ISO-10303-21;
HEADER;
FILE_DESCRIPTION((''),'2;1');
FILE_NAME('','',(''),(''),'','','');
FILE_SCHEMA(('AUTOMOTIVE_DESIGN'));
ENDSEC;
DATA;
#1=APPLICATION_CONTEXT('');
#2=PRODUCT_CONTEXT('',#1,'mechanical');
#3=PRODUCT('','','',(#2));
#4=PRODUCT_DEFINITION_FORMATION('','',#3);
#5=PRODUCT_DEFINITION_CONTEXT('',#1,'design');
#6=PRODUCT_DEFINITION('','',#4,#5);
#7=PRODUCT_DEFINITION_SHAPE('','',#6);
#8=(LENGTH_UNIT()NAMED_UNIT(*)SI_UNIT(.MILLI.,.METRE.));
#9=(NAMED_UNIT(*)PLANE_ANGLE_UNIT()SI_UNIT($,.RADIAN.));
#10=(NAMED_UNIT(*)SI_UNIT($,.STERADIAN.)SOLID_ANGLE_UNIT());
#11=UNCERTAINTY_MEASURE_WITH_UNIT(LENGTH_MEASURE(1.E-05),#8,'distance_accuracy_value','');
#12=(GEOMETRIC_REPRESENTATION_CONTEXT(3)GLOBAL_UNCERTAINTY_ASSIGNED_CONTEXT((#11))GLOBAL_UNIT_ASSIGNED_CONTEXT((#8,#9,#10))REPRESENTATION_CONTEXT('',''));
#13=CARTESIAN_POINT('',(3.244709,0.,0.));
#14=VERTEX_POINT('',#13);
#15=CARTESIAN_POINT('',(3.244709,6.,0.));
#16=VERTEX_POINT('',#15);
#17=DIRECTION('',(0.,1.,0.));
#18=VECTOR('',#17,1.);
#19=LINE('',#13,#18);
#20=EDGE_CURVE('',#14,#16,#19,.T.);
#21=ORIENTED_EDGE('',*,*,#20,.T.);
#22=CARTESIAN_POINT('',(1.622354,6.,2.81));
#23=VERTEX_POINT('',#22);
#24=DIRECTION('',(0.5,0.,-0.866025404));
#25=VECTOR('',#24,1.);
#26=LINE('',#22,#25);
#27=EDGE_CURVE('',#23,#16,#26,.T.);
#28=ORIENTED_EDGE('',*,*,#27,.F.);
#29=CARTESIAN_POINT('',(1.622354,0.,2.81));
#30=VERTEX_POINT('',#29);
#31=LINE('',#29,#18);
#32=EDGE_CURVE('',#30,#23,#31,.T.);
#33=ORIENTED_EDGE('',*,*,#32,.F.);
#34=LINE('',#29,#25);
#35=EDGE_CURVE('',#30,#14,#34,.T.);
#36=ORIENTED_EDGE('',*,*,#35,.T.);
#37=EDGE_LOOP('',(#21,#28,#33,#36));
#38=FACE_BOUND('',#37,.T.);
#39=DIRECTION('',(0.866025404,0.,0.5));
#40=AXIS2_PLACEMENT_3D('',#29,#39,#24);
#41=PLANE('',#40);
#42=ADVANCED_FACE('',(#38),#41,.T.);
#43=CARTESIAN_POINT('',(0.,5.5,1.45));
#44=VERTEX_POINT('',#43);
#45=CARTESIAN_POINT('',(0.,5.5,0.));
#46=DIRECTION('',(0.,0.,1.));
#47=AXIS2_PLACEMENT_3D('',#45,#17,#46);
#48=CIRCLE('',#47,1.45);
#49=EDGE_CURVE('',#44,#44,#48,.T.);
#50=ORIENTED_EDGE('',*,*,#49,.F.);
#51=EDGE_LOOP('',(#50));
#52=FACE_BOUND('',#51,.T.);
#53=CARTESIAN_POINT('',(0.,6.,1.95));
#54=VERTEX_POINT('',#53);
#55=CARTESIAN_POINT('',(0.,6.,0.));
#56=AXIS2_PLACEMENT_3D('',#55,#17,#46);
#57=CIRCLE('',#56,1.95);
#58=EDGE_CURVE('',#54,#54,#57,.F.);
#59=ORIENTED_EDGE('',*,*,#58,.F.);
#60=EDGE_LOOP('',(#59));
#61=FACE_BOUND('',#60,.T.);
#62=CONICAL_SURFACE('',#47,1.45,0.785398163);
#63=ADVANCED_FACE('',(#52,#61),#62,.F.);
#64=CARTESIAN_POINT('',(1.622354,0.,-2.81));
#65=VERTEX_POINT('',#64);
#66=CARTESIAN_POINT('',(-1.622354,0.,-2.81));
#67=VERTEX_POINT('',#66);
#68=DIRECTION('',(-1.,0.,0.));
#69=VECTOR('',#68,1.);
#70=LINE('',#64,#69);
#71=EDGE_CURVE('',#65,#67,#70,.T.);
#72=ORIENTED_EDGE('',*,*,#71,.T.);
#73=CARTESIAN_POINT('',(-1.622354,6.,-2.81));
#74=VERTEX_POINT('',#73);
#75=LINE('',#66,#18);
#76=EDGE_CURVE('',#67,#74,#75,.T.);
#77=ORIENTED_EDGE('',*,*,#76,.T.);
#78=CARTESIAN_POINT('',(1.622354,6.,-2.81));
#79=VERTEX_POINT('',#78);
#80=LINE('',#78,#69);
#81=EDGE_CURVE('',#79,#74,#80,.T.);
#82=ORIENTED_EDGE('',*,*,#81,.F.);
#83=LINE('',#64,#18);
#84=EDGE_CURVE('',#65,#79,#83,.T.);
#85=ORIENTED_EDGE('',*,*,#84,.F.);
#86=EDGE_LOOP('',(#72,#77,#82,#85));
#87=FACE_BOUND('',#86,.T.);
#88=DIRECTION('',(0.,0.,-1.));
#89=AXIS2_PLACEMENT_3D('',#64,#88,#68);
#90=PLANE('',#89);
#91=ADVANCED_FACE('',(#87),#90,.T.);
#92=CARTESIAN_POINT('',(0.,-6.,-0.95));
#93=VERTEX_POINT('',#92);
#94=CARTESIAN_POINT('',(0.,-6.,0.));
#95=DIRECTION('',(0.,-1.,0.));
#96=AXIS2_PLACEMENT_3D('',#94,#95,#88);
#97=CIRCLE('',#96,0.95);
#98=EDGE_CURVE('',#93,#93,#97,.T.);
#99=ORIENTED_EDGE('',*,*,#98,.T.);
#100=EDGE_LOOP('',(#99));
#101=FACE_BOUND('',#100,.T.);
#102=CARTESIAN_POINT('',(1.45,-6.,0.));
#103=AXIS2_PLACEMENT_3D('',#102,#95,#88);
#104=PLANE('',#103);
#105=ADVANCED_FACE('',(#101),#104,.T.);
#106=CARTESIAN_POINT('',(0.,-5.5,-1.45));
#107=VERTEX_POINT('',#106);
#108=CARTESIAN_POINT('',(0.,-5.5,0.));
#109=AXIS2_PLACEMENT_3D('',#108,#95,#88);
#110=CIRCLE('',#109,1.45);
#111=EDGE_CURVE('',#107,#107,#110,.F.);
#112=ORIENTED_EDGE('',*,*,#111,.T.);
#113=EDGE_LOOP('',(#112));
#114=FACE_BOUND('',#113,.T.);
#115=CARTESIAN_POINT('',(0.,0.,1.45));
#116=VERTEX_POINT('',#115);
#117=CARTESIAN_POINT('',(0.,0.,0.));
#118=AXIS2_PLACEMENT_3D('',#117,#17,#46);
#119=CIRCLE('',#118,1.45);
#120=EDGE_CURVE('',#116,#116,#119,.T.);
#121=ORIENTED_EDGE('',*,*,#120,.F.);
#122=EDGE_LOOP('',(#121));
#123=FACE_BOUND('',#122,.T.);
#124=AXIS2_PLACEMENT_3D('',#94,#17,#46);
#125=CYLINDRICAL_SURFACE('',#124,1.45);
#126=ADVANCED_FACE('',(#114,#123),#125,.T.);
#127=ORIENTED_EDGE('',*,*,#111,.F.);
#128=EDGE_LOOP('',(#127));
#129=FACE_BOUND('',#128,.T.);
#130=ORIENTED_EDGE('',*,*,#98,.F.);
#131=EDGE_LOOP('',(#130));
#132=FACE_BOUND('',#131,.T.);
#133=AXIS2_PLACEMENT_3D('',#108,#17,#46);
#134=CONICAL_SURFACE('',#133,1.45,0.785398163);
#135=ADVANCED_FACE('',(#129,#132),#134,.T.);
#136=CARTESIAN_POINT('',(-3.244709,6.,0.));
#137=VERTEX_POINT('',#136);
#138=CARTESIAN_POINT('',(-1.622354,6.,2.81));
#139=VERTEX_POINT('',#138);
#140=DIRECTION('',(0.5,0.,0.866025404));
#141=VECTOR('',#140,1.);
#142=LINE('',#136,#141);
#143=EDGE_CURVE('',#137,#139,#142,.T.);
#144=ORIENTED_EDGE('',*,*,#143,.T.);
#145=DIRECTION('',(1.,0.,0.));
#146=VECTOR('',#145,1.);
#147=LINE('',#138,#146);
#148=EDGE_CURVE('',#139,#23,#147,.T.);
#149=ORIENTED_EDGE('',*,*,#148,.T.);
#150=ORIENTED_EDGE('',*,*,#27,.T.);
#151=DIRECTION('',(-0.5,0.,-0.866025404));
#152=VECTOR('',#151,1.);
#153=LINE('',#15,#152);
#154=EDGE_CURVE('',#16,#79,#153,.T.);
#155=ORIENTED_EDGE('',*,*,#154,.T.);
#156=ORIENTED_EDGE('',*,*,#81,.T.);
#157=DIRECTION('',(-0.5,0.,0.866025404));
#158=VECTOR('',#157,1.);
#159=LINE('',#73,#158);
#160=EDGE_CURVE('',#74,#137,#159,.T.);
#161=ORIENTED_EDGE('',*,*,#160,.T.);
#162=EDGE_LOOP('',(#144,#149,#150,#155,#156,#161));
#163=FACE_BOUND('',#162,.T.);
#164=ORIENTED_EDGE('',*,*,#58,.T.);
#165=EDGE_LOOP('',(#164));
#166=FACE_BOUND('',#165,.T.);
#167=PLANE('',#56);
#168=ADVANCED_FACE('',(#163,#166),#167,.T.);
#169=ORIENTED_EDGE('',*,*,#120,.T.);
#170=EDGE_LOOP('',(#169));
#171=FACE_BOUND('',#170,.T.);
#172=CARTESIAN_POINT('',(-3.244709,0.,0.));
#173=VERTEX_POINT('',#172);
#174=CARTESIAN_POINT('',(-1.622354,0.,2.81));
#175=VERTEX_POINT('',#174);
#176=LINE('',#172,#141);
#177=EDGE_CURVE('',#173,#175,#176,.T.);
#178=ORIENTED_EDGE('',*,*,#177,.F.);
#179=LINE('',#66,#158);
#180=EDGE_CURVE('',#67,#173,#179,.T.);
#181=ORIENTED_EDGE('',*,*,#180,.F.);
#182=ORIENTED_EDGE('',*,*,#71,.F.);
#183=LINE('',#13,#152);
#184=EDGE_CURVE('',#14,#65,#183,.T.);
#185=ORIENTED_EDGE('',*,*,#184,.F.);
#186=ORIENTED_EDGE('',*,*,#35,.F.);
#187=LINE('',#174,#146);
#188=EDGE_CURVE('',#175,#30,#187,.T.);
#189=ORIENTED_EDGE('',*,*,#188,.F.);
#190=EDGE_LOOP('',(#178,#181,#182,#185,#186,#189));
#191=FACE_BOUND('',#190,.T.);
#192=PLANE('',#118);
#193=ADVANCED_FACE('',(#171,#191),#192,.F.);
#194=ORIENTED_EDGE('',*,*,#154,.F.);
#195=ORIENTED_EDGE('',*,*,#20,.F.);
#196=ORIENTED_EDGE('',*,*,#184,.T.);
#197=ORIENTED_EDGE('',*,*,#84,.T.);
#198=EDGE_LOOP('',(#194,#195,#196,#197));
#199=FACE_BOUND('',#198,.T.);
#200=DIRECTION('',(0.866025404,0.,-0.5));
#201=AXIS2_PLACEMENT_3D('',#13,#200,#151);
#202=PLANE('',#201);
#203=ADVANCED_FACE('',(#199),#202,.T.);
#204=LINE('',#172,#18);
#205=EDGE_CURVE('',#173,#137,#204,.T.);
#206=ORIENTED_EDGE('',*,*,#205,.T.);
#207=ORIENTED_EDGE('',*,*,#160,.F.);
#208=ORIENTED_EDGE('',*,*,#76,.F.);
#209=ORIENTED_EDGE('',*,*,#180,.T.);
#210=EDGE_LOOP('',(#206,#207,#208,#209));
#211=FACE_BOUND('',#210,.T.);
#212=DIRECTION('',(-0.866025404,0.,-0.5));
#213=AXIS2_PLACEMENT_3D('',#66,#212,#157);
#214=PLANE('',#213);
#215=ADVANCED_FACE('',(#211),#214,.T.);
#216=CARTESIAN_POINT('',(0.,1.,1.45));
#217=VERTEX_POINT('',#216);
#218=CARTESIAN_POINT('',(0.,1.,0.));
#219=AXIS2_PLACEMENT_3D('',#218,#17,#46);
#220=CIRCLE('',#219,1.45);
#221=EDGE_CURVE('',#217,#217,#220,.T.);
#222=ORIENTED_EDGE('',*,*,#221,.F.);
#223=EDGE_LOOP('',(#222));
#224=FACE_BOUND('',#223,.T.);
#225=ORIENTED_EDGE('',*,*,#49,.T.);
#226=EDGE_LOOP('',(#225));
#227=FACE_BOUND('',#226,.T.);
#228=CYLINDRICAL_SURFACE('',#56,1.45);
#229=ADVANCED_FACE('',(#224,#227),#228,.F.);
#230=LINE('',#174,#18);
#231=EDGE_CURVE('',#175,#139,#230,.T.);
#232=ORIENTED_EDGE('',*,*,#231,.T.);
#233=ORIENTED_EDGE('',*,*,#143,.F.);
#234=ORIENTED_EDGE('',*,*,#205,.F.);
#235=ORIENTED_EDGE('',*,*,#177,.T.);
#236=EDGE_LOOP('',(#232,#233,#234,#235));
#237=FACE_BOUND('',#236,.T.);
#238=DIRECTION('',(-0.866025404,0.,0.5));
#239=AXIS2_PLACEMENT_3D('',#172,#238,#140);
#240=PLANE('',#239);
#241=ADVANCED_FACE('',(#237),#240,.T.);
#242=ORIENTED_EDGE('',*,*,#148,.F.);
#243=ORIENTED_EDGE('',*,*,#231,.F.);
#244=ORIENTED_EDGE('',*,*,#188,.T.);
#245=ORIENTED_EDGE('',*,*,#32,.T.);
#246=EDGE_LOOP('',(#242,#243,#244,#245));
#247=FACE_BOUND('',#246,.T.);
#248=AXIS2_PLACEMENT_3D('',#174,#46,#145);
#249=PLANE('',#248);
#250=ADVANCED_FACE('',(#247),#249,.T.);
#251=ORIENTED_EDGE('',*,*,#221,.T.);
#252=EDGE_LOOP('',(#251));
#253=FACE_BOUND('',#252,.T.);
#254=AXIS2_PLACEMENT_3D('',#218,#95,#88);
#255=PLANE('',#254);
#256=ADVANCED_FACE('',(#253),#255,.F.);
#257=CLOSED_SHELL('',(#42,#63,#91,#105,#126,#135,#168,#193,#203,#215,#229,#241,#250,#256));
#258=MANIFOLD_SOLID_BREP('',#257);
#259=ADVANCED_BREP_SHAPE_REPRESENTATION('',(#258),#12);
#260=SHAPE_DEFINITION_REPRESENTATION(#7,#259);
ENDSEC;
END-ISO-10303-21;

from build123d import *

# Parameters (mm, degrees)
BOSS_EXTRUDE1_DEPTH            = 6
SKETCH2_W                      = 1.45
SKETCH2_H                      = 6
F_2_9_2_9_DIAMETER_HOLE1_D     = 2.9
F_2_9_2_9_DIAMETER_HOLE1_DEPTH = 5
CHAMFER1_SIZE                  = 0.5


with BuildPart() as part:
    # Sketch1 → Boss-Extrude1 (new body)
    with BuildSketch(Plane(origin=(0, 6, 0), x_dir=(1, 0, 0), z_dir=(0, 1, 0))):
        Polygon((1.622354256, -2.81), (3.244708513, 0), (1.622354256, 2.81), (-1.622354256, 2.81), (-3.244708513, 0), (-1.622354256, -2.81), align=None)
    extrude(amount=-BOSS_EXTRUDE1_DEPTH)

    # Sketch2 → Revolve1 (revolve)
    with BuildSketch(Plane(origin=(0, 0, 0), x_dir=(-1, 0, 0), z_dir=(0, 0, -1)), mode=Mode.PRIVATE) as revolve1_sk:
        with Locations((-0.725, -3)):
            Rectangle(SKETCH2_W, SKETCH2_H)
    revolve(revolve1_sk.sketch.rotate(Axis((0, -6, 0), (0, 1, 0)), 270), axis=Axis((0, -6, 0), (0, 1, 0)))

    # Ø2.9 (2.9) Diameter Hole1
    with Locations(Plane(origin=(0, 6, 0), x_dir=(1, 0, 0), z_dir=(0, 1, 0))):
        with Locations((0, 0)):
            Hole(F_2_9_2_9_DIAMETER_HOLE1_D / 2, depth=F_2_9_2_9_DIAMETER_HOLE1_DEPTH)

    # Chamfer1
    chamfer1_edges = [part.edges().sort_by_distance(p)[0] for p in [
        (0, -6, -1.45),
        (1.45, 6, 0),
    ]]
    chamfer(chamfer1_edges, length=CHAMFER1_SIZE)


solid = part.part
